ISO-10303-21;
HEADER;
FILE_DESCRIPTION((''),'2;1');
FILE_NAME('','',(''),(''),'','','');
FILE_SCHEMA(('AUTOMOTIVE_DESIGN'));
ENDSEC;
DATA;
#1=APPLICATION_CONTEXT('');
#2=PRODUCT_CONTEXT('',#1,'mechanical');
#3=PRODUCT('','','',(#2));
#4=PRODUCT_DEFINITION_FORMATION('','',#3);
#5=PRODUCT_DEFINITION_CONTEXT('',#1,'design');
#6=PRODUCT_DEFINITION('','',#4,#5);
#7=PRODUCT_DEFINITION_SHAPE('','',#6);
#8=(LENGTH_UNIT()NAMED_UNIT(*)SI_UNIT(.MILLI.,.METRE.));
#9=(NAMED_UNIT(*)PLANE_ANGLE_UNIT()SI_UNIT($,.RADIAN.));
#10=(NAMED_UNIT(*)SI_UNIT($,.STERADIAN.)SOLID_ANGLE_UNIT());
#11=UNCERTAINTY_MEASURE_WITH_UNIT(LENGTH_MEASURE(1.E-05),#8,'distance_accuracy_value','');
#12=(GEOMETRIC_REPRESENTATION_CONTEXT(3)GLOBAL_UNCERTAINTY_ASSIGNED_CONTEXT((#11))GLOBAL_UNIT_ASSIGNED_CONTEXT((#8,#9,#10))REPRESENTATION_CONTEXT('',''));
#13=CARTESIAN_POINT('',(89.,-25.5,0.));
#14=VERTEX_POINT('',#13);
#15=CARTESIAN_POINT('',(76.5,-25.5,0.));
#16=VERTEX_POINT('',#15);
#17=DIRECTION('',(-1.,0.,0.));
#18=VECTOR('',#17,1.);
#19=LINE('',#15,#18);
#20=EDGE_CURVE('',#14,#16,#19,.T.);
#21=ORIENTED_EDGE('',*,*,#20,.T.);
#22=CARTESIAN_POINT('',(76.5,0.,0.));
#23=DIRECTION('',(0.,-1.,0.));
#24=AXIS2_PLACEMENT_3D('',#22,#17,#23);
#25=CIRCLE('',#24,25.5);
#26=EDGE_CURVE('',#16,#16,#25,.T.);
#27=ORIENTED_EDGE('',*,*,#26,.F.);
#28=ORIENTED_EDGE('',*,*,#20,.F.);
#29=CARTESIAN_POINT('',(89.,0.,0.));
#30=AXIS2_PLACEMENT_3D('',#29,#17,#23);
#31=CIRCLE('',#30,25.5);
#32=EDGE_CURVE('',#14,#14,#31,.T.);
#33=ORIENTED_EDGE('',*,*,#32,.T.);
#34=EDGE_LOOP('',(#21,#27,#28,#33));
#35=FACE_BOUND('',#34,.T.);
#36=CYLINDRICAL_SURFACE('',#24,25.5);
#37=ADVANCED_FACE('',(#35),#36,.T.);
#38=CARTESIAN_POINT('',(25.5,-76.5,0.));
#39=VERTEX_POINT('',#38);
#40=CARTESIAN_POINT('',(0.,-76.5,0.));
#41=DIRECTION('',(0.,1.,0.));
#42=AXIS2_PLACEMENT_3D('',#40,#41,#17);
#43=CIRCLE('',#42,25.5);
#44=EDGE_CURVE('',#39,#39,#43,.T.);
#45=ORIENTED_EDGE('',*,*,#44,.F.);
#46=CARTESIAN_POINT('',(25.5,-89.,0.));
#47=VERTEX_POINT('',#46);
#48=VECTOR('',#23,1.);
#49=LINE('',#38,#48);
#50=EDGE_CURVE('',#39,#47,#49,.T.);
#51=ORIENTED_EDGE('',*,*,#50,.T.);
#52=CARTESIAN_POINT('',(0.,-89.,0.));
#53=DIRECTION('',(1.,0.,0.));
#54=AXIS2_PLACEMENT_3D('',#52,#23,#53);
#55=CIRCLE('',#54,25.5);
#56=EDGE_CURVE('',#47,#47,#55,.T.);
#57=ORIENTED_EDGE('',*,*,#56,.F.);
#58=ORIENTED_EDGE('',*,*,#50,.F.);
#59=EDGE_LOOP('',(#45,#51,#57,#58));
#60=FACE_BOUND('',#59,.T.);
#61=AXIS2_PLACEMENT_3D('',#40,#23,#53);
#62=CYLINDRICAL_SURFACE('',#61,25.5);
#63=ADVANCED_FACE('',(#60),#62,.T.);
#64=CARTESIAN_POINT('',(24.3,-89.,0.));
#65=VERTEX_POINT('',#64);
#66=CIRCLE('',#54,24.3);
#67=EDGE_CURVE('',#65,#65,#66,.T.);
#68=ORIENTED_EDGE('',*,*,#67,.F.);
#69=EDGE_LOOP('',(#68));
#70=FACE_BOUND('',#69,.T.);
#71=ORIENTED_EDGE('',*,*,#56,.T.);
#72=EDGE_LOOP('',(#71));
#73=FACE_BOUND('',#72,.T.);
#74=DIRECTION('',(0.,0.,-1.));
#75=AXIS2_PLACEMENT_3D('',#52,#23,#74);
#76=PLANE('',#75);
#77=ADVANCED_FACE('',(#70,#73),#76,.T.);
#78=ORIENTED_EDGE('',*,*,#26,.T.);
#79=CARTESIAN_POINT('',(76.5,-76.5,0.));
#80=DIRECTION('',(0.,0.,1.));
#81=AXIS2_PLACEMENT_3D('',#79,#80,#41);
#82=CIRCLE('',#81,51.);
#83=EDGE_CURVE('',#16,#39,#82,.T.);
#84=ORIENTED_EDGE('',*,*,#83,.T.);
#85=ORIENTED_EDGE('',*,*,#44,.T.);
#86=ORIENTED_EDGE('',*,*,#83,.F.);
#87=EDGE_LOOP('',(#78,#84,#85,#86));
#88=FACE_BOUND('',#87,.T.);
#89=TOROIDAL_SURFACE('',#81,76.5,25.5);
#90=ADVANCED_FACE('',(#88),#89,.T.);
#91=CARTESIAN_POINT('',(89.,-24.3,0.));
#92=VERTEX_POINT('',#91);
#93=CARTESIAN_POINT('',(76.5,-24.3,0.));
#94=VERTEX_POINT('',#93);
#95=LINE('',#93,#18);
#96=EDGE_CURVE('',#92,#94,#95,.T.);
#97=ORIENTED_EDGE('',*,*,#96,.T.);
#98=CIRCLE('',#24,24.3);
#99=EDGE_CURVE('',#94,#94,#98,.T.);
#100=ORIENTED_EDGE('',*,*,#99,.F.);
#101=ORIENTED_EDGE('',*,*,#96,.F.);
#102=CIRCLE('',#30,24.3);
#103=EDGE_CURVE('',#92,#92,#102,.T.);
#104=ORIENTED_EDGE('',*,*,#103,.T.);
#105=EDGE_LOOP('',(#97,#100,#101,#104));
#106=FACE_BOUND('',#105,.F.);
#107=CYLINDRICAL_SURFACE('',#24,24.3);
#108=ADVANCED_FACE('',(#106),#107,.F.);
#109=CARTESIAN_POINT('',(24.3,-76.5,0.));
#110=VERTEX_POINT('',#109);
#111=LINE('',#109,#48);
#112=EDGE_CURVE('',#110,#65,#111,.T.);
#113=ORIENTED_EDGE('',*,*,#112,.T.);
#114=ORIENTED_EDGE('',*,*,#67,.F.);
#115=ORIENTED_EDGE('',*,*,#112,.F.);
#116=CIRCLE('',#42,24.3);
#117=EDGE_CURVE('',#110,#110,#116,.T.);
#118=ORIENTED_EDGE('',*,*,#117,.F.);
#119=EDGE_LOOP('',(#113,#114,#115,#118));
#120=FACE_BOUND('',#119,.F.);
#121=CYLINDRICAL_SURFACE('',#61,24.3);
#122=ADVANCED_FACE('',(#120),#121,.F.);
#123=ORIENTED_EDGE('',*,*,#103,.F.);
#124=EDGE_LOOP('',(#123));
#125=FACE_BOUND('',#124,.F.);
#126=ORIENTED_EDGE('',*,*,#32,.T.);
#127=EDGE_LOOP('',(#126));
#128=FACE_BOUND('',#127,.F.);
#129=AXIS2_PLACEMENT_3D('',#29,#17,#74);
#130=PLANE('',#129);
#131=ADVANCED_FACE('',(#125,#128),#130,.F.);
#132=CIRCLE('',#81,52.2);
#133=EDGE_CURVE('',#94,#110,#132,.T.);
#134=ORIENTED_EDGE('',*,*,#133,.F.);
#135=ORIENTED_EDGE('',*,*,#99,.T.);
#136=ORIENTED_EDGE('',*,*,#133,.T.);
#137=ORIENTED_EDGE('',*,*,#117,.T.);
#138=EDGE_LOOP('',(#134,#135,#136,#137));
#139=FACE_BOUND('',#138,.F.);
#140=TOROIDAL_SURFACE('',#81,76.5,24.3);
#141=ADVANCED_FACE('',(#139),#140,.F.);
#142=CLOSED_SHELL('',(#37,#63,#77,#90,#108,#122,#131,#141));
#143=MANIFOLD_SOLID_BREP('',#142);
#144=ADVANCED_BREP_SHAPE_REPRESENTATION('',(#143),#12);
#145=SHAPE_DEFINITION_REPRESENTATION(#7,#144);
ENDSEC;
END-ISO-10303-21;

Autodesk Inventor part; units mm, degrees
ref_plane "YZ Plane" through (0, 0, 0) normal (1, 0, 0) x (0, 1, 0)
ref_plane "XZ Plane" through (0, 0, 0) normal (0, 1, 0) x (-1, 0, 0)
sketch "Szkic6" plane through (0, 0, 0) normal (0, 0, 1) x (1, 0, 0)
  line L0 (-29.6067, 0) -> (35.2678, 0) construction
  line L1 (0, 42.3419) -> (0, -58.3726) construction
  arc A0 (76.5, 0) -> (0, -76.5) centre (76.5, -76.5) ccw
  line L2 (0, -76.5) -> (76.5, -76.5) construction
  line L3 (76.5, -76.5) -> (76.5, -10.9669) construction
  line L4 (76.5, 0) -> (89, 0)
  line L5 (0, -76.5) -> (0, -89)
  point P0 (0, 0)
  dimension "d24" = 76.5
  dimension "d31" = 90
  dimension "d36" = 12.5
  dimension "d37" = 12.5
ref_plane "Płaszczyzna konstrukcyjna2" through (0, -76.5, 0) normal (0, -1, 0) x (1, 0, 0)
sketch "Szkic8" plane through (0, -76.5, 0) normal (0, -1, 0) x (1, 0, 0)
  circle A0 centre (0, 0) radius 25.5
  circle A1 centre (0, 0) radius 24.3
  dimension "d32" = 51
  dimension "d33" = 1.2
sweep "Przeciągnięcie2" add profiles "Szkic8" path "Szkic6"
equation "\"d32\" = OD"
equation "\"d33\" = THK"
equation "\"d24\" = R"
equation "\"d31\" = KAT"
equation "\"d36\" = PROSTKA"
equation "\"d37\" = PROSTKA"
equation "\"SzerokośćGięciaPodcięcia\" = Grubość"
equation "\"RozmiarPodcięciaNarożnika\" = 4 * Grubość"
equation "\"PromieńPrzejścia\" = PromieńGięcia"
equation "\"Rozmiar_promienia_Jacobiego\" = PromieńGięcia"
equation "\"Wielk_odstępu\" = Grubość"
equation "\"d2\" = PromieńGięcia"
equation "\"d23\" = PromieńGięcia"
equation "\"R\" = 76.5"
equation "\"OD\" = 51"
equation "\"THK\" = 1.2"
equation "\"KAT\" = 90deg"
equation "\"PROSTKA\" = 12.5"
equation "\"Grubość\" = 1.5"
equation "\"PromieńGięcia\" = 3"
properties part number "Kolano 90° ø51x1,2 R76,5" material "304L"
